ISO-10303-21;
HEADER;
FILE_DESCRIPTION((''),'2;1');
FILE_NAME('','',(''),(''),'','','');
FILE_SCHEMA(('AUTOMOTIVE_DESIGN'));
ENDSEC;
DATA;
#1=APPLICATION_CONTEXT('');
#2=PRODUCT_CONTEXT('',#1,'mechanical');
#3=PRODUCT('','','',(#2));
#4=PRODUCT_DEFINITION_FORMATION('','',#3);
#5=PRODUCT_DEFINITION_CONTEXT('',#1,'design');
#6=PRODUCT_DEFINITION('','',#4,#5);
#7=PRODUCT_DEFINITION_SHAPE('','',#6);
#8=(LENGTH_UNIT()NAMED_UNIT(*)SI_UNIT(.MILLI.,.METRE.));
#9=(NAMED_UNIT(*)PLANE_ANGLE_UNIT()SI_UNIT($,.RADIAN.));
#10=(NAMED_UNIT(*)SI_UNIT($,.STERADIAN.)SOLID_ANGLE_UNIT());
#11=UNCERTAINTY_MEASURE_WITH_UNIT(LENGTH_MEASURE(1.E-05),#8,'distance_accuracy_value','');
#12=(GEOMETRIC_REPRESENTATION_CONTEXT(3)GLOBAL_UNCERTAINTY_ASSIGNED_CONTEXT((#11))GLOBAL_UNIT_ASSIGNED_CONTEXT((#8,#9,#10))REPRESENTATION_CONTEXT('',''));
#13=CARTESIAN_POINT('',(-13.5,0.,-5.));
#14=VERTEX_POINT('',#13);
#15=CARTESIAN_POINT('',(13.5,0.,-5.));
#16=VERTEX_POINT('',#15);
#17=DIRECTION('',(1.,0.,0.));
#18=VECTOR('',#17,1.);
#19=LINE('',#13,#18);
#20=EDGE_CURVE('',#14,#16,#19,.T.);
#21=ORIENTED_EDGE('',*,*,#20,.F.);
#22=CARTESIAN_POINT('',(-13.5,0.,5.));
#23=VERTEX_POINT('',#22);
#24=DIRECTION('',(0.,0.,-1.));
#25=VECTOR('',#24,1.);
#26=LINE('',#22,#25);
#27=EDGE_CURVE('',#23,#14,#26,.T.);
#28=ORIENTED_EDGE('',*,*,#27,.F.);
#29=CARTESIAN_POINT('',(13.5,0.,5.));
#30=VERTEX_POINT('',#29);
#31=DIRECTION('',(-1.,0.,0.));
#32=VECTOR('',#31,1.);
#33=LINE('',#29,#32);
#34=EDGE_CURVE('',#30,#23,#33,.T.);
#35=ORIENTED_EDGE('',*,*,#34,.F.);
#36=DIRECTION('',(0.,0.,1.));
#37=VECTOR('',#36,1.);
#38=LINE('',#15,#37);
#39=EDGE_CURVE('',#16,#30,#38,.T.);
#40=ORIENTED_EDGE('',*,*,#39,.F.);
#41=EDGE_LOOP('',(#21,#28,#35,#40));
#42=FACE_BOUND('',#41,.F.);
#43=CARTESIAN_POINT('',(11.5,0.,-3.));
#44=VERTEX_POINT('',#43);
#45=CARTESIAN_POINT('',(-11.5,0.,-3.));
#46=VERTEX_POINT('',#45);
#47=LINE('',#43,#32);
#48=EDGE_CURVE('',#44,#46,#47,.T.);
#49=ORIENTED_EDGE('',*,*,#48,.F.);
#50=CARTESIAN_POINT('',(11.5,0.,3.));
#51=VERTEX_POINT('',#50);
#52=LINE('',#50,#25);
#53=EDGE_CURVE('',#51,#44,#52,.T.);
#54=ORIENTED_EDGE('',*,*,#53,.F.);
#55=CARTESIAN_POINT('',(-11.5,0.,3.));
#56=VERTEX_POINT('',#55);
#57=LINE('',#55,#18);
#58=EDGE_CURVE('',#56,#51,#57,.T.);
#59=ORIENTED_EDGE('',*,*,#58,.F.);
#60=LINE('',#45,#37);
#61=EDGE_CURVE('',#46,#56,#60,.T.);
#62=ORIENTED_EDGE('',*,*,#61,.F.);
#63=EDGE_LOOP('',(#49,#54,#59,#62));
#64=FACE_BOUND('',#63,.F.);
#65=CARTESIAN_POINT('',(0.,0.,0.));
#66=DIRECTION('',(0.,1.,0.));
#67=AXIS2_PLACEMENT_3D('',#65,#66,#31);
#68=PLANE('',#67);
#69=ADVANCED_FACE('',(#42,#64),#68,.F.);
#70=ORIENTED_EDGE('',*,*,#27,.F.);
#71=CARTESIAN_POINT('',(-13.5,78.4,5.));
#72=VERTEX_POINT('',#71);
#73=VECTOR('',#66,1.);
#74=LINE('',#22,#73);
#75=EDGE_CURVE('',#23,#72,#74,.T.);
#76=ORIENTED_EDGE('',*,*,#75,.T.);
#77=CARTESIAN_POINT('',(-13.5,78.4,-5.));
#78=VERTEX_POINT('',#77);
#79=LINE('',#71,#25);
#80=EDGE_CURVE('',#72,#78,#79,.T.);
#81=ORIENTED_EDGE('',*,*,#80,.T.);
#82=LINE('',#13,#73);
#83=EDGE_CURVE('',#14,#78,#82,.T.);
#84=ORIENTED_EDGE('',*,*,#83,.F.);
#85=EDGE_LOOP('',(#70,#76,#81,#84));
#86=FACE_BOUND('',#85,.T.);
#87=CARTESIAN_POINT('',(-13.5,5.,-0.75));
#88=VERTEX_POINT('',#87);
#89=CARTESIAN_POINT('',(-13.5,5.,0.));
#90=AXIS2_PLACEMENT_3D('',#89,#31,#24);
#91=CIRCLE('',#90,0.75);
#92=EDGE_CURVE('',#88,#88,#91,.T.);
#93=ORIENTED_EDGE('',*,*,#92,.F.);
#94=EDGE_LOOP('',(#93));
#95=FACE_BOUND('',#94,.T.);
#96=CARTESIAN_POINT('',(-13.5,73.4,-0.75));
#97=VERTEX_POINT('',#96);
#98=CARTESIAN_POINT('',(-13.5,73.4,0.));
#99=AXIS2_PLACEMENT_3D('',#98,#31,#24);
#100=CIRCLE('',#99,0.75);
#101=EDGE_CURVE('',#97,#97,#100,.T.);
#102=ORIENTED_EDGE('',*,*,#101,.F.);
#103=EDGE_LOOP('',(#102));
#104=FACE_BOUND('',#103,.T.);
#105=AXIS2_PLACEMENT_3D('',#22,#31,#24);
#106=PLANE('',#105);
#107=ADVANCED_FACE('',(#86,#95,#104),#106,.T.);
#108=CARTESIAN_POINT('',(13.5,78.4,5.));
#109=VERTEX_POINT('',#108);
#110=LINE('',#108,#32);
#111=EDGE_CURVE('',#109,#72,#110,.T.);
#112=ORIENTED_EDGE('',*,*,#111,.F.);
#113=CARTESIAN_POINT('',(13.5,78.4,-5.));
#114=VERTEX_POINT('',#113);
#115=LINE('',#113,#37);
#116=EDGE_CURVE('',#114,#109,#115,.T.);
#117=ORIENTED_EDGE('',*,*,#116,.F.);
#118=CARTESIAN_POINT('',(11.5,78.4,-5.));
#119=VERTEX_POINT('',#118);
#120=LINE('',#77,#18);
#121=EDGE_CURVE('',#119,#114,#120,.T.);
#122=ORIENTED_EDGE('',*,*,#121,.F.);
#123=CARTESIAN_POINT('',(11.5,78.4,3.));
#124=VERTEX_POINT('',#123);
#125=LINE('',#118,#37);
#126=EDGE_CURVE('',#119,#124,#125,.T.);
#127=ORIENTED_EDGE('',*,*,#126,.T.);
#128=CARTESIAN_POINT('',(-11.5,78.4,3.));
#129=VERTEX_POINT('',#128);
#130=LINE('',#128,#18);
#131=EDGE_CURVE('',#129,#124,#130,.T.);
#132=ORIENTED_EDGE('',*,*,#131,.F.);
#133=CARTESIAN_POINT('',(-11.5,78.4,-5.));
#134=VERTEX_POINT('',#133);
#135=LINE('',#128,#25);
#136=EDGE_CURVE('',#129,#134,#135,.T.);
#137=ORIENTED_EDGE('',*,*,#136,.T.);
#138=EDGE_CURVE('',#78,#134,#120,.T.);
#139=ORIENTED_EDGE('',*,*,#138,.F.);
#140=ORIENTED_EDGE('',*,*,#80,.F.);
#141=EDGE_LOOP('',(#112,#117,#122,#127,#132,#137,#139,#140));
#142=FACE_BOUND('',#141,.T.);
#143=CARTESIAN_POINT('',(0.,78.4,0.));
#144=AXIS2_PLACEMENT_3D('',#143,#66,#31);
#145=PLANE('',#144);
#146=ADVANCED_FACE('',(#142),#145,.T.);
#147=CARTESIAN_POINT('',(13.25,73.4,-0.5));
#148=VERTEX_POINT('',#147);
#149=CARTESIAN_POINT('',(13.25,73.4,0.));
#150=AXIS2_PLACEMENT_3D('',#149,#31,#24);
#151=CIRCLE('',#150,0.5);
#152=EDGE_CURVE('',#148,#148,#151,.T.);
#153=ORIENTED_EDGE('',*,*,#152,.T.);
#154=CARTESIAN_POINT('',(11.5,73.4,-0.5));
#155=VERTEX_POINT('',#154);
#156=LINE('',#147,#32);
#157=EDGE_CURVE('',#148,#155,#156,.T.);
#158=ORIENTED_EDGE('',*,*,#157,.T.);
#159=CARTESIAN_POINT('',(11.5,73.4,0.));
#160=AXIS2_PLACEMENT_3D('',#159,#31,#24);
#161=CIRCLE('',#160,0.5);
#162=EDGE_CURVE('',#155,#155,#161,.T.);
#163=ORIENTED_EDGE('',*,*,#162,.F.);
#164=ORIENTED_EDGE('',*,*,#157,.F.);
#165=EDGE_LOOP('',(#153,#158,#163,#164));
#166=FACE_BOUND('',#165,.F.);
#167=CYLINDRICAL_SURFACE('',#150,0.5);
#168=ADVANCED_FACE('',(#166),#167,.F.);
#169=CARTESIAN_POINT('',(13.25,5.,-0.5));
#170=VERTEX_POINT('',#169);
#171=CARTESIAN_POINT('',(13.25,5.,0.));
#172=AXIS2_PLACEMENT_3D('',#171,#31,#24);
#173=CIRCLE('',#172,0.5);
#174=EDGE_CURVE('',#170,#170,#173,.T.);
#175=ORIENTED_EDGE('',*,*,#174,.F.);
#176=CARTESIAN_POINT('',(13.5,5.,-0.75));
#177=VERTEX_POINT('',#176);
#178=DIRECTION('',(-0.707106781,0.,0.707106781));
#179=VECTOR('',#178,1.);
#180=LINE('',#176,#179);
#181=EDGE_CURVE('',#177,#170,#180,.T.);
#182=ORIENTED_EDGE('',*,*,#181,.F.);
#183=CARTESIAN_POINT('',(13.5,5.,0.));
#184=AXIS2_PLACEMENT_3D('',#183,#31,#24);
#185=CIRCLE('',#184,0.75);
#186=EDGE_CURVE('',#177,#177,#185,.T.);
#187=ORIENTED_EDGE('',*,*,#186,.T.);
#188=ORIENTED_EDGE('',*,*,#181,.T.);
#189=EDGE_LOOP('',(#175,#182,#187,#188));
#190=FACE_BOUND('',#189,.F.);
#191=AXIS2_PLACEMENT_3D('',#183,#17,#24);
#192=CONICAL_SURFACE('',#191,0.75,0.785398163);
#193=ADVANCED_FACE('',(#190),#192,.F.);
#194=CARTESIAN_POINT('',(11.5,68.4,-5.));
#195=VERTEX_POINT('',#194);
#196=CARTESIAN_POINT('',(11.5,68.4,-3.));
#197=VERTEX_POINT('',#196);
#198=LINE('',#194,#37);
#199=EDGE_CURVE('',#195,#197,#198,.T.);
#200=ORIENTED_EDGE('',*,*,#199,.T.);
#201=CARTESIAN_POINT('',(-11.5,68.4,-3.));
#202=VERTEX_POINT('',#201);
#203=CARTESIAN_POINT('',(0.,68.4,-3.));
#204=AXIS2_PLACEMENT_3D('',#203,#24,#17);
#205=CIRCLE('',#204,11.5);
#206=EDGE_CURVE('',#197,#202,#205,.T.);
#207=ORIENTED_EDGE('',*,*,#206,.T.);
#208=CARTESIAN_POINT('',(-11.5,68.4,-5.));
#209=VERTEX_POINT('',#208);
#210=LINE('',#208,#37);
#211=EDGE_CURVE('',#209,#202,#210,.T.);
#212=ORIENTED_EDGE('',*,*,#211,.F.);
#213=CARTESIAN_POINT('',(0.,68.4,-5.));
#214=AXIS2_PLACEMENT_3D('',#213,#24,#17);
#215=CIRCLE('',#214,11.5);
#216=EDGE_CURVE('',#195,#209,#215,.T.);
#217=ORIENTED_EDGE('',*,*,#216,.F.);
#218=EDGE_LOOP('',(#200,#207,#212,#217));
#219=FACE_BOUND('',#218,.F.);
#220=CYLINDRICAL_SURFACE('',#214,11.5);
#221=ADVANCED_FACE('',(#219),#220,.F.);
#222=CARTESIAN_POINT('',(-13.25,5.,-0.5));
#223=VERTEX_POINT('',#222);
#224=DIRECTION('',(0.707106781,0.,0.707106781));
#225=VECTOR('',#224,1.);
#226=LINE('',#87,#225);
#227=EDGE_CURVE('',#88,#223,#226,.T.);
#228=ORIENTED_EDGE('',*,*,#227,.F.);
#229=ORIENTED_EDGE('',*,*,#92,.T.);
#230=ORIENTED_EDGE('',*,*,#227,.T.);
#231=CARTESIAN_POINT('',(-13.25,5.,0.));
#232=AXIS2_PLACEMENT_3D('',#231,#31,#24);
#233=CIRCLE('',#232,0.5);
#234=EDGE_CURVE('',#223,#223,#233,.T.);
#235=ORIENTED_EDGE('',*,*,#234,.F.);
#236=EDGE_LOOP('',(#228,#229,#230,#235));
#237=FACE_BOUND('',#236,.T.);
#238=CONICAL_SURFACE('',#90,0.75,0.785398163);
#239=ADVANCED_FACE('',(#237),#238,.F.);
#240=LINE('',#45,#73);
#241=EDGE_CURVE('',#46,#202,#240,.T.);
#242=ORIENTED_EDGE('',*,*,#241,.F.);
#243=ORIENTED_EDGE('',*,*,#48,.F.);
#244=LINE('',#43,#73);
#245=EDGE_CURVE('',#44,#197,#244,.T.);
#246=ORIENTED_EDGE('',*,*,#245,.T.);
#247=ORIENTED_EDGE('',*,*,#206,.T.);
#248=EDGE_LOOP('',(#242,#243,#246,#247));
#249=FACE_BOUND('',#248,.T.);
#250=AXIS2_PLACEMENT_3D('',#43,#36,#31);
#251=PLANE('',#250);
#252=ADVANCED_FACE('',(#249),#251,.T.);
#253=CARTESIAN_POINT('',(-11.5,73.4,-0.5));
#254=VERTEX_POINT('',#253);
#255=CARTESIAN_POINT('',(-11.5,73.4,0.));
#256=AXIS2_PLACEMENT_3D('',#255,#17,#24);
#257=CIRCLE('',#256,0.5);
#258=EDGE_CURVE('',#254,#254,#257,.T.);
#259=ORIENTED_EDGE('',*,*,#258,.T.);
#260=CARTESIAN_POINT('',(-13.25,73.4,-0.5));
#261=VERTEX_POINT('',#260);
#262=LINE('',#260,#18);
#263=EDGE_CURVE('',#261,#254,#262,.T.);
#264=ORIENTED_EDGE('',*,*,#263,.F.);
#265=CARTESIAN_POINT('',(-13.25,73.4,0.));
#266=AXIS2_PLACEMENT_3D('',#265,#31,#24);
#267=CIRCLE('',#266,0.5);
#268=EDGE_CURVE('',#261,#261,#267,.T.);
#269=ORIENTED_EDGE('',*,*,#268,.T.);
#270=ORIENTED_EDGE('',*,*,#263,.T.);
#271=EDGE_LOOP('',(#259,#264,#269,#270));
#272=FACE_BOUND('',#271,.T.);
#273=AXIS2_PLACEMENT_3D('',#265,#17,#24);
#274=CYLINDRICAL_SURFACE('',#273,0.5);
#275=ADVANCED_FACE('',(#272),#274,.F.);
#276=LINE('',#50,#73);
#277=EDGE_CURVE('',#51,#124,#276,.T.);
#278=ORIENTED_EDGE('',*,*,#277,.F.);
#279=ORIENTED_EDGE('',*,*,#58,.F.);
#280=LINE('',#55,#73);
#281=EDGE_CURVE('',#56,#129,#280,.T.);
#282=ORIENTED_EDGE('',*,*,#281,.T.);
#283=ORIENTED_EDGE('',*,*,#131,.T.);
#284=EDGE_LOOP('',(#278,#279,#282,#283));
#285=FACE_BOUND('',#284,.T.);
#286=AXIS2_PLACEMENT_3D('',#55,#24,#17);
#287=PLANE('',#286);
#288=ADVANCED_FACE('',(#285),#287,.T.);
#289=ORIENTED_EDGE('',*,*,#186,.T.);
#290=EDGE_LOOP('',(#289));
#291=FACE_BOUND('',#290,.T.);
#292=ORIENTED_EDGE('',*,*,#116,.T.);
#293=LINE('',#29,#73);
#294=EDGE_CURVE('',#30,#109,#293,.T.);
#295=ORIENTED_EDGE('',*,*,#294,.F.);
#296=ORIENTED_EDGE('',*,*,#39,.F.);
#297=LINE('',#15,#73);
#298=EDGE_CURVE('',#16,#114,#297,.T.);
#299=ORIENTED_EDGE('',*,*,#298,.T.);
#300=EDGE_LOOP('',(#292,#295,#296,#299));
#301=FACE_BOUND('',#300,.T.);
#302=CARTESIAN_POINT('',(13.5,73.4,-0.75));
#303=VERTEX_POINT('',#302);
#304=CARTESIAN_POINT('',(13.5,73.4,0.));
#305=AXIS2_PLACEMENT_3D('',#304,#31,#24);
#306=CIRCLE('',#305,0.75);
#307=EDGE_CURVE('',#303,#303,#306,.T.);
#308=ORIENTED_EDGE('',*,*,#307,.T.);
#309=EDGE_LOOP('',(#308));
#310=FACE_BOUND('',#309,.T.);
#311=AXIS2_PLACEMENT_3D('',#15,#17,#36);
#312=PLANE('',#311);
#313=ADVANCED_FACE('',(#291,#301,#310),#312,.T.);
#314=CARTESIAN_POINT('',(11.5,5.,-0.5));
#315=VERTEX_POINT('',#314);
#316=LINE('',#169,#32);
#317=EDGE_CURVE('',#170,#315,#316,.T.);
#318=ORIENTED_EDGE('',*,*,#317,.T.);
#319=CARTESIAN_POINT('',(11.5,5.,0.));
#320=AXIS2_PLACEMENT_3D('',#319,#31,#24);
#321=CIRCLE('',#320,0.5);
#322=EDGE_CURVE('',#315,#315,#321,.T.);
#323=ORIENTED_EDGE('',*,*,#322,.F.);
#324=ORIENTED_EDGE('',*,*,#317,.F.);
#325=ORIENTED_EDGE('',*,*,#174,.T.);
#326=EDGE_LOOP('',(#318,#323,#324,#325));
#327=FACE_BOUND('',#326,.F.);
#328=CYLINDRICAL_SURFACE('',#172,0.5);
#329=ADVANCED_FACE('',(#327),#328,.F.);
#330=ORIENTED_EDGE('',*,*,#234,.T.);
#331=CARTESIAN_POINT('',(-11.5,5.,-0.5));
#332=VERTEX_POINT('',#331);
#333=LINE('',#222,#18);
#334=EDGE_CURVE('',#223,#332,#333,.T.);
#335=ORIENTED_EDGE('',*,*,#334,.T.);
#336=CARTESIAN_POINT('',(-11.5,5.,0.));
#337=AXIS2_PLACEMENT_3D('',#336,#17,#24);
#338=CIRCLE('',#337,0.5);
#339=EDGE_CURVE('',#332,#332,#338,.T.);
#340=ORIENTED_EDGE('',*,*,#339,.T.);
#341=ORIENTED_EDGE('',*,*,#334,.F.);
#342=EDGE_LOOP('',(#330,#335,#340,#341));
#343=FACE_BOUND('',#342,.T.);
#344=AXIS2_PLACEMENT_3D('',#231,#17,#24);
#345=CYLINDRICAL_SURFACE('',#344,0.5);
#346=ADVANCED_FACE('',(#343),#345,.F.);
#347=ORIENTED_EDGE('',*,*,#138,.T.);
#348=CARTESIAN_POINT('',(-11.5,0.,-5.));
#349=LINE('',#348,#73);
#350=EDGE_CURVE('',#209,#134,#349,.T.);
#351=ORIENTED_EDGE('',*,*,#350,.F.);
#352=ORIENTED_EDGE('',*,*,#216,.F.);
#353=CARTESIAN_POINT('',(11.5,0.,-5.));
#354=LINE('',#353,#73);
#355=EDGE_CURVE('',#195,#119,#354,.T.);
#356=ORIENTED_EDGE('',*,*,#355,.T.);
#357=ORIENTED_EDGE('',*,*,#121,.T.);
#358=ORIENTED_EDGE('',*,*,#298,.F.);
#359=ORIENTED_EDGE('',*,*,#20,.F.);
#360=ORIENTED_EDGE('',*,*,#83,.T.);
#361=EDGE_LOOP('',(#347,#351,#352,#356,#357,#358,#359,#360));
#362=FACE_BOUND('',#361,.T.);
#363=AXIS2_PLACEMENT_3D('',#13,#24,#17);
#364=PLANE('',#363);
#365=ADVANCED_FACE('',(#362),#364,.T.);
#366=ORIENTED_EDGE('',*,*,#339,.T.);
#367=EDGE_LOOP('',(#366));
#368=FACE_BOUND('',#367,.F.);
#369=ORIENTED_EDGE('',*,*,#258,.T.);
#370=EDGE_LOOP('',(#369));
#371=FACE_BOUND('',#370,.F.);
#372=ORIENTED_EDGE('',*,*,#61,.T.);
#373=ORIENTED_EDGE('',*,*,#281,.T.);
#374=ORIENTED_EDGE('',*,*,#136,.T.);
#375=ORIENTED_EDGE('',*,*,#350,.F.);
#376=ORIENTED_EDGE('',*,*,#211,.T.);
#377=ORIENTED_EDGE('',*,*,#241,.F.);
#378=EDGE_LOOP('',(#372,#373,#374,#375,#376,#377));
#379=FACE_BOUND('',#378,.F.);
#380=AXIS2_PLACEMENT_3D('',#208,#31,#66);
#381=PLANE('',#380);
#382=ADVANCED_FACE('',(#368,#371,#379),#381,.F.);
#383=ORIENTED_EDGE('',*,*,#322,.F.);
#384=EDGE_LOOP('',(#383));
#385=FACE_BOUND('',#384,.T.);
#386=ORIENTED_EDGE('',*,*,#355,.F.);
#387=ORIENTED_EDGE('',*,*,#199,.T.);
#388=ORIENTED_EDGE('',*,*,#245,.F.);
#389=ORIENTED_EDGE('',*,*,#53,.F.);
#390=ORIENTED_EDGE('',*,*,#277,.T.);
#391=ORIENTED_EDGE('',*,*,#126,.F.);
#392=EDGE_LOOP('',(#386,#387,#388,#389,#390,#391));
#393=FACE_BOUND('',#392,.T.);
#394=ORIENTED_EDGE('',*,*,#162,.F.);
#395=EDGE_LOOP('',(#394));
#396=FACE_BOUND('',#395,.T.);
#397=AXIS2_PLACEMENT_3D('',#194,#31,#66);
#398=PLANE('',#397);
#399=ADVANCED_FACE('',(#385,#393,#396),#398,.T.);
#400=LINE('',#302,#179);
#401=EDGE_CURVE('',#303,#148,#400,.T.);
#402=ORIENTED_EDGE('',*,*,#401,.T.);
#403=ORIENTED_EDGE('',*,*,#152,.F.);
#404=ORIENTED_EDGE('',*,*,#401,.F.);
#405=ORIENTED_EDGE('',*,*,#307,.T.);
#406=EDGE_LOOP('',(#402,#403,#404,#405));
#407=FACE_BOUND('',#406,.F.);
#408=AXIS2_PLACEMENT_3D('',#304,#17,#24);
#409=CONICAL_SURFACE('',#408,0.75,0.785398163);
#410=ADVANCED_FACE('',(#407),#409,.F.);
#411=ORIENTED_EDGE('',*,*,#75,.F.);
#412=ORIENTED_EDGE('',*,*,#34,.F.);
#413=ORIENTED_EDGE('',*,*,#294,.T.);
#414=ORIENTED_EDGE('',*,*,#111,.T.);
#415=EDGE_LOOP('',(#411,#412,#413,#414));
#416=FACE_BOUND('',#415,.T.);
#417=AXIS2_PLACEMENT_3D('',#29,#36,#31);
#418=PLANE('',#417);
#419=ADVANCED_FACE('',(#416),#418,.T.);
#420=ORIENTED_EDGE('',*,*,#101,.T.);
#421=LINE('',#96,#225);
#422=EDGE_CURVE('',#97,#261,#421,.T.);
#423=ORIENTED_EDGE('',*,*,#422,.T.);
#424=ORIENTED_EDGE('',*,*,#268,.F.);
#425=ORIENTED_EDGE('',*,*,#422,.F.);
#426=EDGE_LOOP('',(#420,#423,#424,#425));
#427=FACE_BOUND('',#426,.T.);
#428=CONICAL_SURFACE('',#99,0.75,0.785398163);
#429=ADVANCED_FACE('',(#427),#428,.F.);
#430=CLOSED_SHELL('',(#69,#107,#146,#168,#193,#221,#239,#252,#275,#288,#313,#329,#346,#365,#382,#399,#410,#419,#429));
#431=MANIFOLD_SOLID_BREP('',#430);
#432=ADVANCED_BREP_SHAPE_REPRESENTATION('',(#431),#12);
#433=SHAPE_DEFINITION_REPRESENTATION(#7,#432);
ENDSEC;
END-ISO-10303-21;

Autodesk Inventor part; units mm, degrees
ref_plane "YZ Plane" through (0, 0, 0) normal (1, 0, 0) x (0, 1, 0)
ref_plane "XZ Plane" through (0, 0, 0) normal (0, 1, 0) x (-1, 0, 0)
ref_plane "XY Plane" through (0, 0, 0) normal (0, 0, 1) x (1, 0, 0)
sketch "Эскиз1" plane through (0, 0, 0) normal (0, 1, 0) x (-1, 0, 0)
  line L0 (13.5, -5) -> (-13.5, -5)
  line L1 (-13.5, -5) -> (-13.5, 5)
  line L2 (-13.5, 5) -> (13.5, 5)
  line L3 (13.5, 5) -> (13.5, -5)
  line L4 (-13.5, -5) -> (13.5, 5) construction
  line L5 (13.5, -5) -> (-13.5, 5) construction
  line L6 (-11.5, -3) -> (11.5, -3)
  line L7 (11.5, -3) -> (11.5, 3)
  line L8 (11.5, 3) -> (-11.5, 3)
  line L9 (-11.5, 3) -> (-11.5, -3)
  point P0 (0, 0)
  point P1 (0, 0)
  dimension "d0" = 27
  dimension "d1" = 10
  dimension "d2" = 2
extrude "Выдавливание1" add sketch "Эскиз1" along normal blind 78.4
sketch "Эскиз2" plane through (13.5, 0, 5) normal (1, 0, 0) x (0, 0, -1)
  line L0 (0, 78.4) -> (10, 78.4) construction
  line L1 (10, 78.4) -> (0, 68.4) construction
  line L2 (0, 0) -> (0, 78.4) construction
  line L3 (0, 78.4) -> (10, 68.4) construction
  line L4 (10, 0) -> (10, 78.4) construction
  line L5 (10, 0) -> (0, 10) construction
  line L6 (0, 0) -> (10, 10) construction
  circle A0 centre (5, 73.4) radius 0.5
  circle A1 centre (5, 5) radius 0.5
  point P0 (5, 0)
  dimension "d5" = 1
  dimension "d6" = 1
sketch "Эскиз3" plane through (13.5, 0, -5) normal (0, 0, -1) x (-1, 0, 0)
  line L0 (0, 0) -> (0, 78.4) projected
  line L1 (27, 0) -> (27, 78.4) projected
  line L2 (27, 0) -> (27, 78.4) projected
  line L3 (0, 0) -> (0, 78.4) projected
  line L4 (0, 78.4) -> (27, 78.4) projected
  arc A0 (2, 68.4) -> (25, 68.4) centre (13.5, 68.4) ccw
  line L5 (25, 0) -> (25, 78.4) projected
  line L6 (2, 0) -> (2, 78.4) projected
  line L7 (25, 0) -> (25, 78.4) projected
  line L8 (25, 68.4) -> (25, 78.4)
  line L9 (25, 78.4) -> (2, 78.4)
  line L10 (2, 68.4) -> (2, 78.4)
  point P0 (13.5, 0)
  dimension "d10" = 10
extrude "Выдавливание3" cut sketch "Эскиз3" against normal up to surface (2 mm away)
hole "Отверстие1" at (13.5, 73.4, 0) at (13.5, 5, 0) direction (-1, 0, 0) diameter 1 depth 13.5 countersink diameter 1.5 countersink angle 90
mirror "Зеркальное отражение1" about plane through (0, 0, 0) normal (1, 0, 0) of "Отверстие1"
properties part number "board-1-new"
